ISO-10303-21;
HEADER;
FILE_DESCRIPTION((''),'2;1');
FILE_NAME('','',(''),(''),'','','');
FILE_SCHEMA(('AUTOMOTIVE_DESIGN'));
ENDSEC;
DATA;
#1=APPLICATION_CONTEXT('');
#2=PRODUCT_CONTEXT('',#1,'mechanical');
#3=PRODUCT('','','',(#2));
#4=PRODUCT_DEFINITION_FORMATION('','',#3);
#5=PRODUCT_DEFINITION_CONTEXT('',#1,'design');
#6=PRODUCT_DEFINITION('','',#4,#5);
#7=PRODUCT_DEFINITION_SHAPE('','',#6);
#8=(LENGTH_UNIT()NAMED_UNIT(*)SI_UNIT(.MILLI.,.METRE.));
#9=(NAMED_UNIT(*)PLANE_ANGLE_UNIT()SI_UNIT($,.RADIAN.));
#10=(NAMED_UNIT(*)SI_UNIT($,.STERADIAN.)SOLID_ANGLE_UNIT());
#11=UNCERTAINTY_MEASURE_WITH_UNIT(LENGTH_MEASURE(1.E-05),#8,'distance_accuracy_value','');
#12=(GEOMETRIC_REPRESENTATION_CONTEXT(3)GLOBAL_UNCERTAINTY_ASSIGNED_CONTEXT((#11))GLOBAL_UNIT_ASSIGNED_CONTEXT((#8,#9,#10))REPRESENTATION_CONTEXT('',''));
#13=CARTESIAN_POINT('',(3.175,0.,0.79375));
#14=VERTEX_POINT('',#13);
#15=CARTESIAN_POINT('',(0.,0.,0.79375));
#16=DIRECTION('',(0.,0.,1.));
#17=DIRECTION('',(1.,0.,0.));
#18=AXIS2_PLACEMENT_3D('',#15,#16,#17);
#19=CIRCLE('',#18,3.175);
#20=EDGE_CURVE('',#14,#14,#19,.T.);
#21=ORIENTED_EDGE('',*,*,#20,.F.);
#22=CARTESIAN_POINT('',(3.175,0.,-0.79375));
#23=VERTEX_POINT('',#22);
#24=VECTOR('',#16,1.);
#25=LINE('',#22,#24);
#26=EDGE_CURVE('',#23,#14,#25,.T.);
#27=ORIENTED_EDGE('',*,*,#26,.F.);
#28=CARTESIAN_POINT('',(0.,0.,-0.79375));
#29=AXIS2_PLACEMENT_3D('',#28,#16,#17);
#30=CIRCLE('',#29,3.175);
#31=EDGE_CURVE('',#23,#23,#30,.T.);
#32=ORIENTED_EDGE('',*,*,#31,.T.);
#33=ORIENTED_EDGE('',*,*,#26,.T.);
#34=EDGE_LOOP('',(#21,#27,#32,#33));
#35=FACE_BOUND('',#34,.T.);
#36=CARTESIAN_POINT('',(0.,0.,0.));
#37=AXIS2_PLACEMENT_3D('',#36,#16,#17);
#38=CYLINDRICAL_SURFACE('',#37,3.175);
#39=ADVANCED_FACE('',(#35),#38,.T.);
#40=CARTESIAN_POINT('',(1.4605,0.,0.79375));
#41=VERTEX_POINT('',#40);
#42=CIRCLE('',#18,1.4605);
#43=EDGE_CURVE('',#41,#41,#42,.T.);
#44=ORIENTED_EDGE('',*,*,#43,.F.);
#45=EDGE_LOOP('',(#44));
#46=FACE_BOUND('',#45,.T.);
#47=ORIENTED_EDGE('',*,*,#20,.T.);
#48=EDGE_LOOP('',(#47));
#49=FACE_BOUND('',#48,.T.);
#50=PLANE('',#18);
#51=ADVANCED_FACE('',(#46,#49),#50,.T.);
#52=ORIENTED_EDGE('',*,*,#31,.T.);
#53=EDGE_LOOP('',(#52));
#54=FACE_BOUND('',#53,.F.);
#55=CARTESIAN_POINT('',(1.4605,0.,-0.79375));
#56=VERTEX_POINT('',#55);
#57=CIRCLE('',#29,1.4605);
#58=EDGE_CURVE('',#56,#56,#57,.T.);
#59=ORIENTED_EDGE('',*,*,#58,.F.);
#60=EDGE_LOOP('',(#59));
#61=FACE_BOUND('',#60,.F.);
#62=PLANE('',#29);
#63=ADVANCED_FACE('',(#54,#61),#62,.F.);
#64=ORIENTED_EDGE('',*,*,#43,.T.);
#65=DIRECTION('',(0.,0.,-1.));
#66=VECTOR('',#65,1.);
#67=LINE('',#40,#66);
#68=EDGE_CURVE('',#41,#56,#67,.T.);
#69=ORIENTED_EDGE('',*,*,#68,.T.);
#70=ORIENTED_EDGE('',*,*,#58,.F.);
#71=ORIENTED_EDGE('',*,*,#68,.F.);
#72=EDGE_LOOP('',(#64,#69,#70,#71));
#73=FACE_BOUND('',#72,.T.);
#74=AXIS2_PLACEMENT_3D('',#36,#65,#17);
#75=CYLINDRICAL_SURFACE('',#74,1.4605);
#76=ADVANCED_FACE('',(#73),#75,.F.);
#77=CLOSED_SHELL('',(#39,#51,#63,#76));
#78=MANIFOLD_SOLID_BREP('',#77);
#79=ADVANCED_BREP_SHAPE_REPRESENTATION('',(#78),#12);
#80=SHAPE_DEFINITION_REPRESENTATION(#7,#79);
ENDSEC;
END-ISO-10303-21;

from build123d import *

# Parameters (mm, degrees)
SKETCH1_R      = 3.175
SKETCH1_R_2    = 1.4605
EXTRUDE1_DEPTH = 0.79375


with BuildPart() as part:
    # Sketch1 → Extrude1 (new body, symmetric)
    with BuildSketch(Plane.XY):
        Circle(SKETCH1_R)
        Circle(SKETCH1_R_2, mode=Mode.SUBTRACT)
    extrude(amount=EXTRUDE1_DEPTH, both=True)


solid = part.part
